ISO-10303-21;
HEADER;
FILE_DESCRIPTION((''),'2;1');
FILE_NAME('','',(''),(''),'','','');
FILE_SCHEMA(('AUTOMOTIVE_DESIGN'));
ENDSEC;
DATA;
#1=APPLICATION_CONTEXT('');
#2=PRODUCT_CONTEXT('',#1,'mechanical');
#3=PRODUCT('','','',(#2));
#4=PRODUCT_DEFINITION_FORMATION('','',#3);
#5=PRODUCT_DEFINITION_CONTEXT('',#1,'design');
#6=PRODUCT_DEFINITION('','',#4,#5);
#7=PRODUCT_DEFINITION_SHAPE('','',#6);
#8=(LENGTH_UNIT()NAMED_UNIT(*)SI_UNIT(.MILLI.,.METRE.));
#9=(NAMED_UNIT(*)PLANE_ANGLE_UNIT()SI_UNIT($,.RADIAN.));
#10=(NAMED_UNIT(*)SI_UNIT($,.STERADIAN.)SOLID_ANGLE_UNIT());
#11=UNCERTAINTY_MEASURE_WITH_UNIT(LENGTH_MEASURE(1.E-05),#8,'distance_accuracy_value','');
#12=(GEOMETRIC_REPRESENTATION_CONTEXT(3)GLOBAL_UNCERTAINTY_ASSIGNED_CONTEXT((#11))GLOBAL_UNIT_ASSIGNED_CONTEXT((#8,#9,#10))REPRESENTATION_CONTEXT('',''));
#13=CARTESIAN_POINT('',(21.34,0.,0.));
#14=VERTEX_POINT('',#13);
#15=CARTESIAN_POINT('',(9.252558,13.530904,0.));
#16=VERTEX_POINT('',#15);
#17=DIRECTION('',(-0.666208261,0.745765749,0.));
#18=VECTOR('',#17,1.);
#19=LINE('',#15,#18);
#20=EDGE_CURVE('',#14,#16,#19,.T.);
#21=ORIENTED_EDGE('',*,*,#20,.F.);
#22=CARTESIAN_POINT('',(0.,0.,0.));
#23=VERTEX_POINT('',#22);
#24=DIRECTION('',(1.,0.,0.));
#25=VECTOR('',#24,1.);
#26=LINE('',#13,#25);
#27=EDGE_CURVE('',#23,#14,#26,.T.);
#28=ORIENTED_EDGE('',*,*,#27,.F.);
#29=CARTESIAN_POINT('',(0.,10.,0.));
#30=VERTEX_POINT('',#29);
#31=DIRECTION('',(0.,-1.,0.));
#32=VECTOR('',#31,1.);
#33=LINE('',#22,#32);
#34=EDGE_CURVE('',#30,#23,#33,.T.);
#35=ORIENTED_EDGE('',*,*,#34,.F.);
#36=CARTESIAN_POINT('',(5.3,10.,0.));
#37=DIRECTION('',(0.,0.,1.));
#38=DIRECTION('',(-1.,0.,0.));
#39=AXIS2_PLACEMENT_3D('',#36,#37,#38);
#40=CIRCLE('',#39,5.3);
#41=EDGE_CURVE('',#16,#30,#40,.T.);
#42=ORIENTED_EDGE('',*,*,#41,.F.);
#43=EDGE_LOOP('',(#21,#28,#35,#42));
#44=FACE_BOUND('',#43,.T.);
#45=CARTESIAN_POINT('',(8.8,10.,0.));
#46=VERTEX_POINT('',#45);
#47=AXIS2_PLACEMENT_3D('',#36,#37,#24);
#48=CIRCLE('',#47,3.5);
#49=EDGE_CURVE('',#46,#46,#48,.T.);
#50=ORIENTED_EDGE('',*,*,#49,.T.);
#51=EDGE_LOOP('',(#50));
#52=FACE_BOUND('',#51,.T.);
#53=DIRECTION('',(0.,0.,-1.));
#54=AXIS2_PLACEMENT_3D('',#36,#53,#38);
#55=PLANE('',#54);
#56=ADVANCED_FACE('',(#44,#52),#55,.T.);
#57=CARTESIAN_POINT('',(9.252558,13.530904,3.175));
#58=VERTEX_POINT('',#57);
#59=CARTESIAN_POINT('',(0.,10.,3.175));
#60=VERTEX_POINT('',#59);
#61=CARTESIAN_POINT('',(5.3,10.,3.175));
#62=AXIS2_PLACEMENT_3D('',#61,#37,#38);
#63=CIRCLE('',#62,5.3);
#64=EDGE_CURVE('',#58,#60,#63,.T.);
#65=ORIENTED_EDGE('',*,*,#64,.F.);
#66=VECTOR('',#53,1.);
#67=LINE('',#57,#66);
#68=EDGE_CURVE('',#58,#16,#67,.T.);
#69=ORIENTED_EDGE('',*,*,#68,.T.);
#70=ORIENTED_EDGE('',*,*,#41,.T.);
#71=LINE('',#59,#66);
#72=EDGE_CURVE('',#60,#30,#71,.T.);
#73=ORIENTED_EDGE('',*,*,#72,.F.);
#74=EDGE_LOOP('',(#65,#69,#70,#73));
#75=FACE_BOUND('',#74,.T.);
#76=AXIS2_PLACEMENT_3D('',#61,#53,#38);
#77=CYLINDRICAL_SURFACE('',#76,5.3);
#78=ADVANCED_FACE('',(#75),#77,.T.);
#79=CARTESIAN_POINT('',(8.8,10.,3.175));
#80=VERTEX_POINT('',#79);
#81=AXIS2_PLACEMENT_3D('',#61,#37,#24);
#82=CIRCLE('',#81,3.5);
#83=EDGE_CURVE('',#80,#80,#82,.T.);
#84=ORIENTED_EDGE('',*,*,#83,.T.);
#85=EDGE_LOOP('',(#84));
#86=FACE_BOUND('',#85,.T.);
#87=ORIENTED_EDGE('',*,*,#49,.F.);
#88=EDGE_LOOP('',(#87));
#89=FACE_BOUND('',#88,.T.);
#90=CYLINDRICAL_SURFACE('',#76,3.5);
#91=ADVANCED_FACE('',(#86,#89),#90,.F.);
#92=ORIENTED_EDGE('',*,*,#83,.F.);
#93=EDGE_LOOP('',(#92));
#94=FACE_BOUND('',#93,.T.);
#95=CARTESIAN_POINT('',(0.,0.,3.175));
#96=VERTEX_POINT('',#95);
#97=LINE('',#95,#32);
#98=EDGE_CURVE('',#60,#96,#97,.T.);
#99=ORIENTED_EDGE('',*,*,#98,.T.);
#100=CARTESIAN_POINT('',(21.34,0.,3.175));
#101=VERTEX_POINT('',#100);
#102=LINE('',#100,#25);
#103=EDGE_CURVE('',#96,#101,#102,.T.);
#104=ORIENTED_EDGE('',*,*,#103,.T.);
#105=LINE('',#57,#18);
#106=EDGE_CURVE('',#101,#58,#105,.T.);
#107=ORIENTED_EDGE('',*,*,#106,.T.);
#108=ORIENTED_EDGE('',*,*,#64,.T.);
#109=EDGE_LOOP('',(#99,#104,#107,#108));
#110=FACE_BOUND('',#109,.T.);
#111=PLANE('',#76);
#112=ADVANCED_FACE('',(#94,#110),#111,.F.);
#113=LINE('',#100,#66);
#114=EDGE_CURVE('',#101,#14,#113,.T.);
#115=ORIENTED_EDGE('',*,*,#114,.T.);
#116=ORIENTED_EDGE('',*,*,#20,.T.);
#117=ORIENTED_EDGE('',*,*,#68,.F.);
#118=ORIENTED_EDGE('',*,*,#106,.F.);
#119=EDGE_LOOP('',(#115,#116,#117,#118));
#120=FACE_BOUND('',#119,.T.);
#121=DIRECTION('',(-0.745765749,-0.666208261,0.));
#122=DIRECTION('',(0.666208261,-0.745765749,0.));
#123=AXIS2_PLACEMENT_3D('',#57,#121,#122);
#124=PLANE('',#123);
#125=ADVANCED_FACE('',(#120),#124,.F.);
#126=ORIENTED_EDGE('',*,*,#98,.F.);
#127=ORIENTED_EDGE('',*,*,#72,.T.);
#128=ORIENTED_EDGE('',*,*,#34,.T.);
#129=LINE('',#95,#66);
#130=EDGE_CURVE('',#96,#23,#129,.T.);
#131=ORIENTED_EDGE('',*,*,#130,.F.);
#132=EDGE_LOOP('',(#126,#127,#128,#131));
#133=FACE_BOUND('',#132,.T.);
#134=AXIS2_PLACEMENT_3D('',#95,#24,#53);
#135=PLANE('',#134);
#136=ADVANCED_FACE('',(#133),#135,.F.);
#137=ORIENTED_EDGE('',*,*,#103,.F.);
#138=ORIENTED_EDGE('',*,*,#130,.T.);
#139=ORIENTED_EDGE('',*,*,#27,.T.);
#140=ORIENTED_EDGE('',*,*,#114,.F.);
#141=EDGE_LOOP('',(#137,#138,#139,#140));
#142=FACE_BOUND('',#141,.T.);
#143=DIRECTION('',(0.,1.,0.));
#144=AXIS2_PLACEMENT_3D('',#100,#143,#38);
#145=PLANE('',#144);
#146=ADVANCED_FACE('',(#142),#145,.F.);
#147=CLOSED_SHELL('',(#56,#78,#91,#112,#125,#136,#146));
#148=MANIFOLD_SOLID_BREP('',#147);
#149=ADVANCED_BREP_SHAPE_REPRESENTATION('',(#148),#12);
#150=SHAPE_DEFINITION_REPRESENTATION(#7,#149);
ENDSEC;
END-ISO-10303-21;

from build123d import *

# Parameters (mm, degrees)
CROQUIS1_R              = 3.5
SALIENTE_EXTRUIR1_DEPTH = 3.175


with BuildPart() as part:
    # Croquis1 → Saliente-Extruir1 (new body)
    with BuildSketch(Plane.XY):
        with BuildLine():
            Line((0, 0), (0, 10))
            ThreePointArc((0, 10), (3.4103651, 14.951694654), (9.25255847, 13.530903786))
            Line((9.25255847, 13.530903786), (21.34, 0))
            Line((21.34, 0), (0, 0))
        make_face()
        with Locations((5.3, 10)):
            Circle(CROQUIS1_R, mode=Mode.SUBTRACT)
    extrude(amount=SALIENTE_EXTRUIR1_DEPTH)


solid = part.part
